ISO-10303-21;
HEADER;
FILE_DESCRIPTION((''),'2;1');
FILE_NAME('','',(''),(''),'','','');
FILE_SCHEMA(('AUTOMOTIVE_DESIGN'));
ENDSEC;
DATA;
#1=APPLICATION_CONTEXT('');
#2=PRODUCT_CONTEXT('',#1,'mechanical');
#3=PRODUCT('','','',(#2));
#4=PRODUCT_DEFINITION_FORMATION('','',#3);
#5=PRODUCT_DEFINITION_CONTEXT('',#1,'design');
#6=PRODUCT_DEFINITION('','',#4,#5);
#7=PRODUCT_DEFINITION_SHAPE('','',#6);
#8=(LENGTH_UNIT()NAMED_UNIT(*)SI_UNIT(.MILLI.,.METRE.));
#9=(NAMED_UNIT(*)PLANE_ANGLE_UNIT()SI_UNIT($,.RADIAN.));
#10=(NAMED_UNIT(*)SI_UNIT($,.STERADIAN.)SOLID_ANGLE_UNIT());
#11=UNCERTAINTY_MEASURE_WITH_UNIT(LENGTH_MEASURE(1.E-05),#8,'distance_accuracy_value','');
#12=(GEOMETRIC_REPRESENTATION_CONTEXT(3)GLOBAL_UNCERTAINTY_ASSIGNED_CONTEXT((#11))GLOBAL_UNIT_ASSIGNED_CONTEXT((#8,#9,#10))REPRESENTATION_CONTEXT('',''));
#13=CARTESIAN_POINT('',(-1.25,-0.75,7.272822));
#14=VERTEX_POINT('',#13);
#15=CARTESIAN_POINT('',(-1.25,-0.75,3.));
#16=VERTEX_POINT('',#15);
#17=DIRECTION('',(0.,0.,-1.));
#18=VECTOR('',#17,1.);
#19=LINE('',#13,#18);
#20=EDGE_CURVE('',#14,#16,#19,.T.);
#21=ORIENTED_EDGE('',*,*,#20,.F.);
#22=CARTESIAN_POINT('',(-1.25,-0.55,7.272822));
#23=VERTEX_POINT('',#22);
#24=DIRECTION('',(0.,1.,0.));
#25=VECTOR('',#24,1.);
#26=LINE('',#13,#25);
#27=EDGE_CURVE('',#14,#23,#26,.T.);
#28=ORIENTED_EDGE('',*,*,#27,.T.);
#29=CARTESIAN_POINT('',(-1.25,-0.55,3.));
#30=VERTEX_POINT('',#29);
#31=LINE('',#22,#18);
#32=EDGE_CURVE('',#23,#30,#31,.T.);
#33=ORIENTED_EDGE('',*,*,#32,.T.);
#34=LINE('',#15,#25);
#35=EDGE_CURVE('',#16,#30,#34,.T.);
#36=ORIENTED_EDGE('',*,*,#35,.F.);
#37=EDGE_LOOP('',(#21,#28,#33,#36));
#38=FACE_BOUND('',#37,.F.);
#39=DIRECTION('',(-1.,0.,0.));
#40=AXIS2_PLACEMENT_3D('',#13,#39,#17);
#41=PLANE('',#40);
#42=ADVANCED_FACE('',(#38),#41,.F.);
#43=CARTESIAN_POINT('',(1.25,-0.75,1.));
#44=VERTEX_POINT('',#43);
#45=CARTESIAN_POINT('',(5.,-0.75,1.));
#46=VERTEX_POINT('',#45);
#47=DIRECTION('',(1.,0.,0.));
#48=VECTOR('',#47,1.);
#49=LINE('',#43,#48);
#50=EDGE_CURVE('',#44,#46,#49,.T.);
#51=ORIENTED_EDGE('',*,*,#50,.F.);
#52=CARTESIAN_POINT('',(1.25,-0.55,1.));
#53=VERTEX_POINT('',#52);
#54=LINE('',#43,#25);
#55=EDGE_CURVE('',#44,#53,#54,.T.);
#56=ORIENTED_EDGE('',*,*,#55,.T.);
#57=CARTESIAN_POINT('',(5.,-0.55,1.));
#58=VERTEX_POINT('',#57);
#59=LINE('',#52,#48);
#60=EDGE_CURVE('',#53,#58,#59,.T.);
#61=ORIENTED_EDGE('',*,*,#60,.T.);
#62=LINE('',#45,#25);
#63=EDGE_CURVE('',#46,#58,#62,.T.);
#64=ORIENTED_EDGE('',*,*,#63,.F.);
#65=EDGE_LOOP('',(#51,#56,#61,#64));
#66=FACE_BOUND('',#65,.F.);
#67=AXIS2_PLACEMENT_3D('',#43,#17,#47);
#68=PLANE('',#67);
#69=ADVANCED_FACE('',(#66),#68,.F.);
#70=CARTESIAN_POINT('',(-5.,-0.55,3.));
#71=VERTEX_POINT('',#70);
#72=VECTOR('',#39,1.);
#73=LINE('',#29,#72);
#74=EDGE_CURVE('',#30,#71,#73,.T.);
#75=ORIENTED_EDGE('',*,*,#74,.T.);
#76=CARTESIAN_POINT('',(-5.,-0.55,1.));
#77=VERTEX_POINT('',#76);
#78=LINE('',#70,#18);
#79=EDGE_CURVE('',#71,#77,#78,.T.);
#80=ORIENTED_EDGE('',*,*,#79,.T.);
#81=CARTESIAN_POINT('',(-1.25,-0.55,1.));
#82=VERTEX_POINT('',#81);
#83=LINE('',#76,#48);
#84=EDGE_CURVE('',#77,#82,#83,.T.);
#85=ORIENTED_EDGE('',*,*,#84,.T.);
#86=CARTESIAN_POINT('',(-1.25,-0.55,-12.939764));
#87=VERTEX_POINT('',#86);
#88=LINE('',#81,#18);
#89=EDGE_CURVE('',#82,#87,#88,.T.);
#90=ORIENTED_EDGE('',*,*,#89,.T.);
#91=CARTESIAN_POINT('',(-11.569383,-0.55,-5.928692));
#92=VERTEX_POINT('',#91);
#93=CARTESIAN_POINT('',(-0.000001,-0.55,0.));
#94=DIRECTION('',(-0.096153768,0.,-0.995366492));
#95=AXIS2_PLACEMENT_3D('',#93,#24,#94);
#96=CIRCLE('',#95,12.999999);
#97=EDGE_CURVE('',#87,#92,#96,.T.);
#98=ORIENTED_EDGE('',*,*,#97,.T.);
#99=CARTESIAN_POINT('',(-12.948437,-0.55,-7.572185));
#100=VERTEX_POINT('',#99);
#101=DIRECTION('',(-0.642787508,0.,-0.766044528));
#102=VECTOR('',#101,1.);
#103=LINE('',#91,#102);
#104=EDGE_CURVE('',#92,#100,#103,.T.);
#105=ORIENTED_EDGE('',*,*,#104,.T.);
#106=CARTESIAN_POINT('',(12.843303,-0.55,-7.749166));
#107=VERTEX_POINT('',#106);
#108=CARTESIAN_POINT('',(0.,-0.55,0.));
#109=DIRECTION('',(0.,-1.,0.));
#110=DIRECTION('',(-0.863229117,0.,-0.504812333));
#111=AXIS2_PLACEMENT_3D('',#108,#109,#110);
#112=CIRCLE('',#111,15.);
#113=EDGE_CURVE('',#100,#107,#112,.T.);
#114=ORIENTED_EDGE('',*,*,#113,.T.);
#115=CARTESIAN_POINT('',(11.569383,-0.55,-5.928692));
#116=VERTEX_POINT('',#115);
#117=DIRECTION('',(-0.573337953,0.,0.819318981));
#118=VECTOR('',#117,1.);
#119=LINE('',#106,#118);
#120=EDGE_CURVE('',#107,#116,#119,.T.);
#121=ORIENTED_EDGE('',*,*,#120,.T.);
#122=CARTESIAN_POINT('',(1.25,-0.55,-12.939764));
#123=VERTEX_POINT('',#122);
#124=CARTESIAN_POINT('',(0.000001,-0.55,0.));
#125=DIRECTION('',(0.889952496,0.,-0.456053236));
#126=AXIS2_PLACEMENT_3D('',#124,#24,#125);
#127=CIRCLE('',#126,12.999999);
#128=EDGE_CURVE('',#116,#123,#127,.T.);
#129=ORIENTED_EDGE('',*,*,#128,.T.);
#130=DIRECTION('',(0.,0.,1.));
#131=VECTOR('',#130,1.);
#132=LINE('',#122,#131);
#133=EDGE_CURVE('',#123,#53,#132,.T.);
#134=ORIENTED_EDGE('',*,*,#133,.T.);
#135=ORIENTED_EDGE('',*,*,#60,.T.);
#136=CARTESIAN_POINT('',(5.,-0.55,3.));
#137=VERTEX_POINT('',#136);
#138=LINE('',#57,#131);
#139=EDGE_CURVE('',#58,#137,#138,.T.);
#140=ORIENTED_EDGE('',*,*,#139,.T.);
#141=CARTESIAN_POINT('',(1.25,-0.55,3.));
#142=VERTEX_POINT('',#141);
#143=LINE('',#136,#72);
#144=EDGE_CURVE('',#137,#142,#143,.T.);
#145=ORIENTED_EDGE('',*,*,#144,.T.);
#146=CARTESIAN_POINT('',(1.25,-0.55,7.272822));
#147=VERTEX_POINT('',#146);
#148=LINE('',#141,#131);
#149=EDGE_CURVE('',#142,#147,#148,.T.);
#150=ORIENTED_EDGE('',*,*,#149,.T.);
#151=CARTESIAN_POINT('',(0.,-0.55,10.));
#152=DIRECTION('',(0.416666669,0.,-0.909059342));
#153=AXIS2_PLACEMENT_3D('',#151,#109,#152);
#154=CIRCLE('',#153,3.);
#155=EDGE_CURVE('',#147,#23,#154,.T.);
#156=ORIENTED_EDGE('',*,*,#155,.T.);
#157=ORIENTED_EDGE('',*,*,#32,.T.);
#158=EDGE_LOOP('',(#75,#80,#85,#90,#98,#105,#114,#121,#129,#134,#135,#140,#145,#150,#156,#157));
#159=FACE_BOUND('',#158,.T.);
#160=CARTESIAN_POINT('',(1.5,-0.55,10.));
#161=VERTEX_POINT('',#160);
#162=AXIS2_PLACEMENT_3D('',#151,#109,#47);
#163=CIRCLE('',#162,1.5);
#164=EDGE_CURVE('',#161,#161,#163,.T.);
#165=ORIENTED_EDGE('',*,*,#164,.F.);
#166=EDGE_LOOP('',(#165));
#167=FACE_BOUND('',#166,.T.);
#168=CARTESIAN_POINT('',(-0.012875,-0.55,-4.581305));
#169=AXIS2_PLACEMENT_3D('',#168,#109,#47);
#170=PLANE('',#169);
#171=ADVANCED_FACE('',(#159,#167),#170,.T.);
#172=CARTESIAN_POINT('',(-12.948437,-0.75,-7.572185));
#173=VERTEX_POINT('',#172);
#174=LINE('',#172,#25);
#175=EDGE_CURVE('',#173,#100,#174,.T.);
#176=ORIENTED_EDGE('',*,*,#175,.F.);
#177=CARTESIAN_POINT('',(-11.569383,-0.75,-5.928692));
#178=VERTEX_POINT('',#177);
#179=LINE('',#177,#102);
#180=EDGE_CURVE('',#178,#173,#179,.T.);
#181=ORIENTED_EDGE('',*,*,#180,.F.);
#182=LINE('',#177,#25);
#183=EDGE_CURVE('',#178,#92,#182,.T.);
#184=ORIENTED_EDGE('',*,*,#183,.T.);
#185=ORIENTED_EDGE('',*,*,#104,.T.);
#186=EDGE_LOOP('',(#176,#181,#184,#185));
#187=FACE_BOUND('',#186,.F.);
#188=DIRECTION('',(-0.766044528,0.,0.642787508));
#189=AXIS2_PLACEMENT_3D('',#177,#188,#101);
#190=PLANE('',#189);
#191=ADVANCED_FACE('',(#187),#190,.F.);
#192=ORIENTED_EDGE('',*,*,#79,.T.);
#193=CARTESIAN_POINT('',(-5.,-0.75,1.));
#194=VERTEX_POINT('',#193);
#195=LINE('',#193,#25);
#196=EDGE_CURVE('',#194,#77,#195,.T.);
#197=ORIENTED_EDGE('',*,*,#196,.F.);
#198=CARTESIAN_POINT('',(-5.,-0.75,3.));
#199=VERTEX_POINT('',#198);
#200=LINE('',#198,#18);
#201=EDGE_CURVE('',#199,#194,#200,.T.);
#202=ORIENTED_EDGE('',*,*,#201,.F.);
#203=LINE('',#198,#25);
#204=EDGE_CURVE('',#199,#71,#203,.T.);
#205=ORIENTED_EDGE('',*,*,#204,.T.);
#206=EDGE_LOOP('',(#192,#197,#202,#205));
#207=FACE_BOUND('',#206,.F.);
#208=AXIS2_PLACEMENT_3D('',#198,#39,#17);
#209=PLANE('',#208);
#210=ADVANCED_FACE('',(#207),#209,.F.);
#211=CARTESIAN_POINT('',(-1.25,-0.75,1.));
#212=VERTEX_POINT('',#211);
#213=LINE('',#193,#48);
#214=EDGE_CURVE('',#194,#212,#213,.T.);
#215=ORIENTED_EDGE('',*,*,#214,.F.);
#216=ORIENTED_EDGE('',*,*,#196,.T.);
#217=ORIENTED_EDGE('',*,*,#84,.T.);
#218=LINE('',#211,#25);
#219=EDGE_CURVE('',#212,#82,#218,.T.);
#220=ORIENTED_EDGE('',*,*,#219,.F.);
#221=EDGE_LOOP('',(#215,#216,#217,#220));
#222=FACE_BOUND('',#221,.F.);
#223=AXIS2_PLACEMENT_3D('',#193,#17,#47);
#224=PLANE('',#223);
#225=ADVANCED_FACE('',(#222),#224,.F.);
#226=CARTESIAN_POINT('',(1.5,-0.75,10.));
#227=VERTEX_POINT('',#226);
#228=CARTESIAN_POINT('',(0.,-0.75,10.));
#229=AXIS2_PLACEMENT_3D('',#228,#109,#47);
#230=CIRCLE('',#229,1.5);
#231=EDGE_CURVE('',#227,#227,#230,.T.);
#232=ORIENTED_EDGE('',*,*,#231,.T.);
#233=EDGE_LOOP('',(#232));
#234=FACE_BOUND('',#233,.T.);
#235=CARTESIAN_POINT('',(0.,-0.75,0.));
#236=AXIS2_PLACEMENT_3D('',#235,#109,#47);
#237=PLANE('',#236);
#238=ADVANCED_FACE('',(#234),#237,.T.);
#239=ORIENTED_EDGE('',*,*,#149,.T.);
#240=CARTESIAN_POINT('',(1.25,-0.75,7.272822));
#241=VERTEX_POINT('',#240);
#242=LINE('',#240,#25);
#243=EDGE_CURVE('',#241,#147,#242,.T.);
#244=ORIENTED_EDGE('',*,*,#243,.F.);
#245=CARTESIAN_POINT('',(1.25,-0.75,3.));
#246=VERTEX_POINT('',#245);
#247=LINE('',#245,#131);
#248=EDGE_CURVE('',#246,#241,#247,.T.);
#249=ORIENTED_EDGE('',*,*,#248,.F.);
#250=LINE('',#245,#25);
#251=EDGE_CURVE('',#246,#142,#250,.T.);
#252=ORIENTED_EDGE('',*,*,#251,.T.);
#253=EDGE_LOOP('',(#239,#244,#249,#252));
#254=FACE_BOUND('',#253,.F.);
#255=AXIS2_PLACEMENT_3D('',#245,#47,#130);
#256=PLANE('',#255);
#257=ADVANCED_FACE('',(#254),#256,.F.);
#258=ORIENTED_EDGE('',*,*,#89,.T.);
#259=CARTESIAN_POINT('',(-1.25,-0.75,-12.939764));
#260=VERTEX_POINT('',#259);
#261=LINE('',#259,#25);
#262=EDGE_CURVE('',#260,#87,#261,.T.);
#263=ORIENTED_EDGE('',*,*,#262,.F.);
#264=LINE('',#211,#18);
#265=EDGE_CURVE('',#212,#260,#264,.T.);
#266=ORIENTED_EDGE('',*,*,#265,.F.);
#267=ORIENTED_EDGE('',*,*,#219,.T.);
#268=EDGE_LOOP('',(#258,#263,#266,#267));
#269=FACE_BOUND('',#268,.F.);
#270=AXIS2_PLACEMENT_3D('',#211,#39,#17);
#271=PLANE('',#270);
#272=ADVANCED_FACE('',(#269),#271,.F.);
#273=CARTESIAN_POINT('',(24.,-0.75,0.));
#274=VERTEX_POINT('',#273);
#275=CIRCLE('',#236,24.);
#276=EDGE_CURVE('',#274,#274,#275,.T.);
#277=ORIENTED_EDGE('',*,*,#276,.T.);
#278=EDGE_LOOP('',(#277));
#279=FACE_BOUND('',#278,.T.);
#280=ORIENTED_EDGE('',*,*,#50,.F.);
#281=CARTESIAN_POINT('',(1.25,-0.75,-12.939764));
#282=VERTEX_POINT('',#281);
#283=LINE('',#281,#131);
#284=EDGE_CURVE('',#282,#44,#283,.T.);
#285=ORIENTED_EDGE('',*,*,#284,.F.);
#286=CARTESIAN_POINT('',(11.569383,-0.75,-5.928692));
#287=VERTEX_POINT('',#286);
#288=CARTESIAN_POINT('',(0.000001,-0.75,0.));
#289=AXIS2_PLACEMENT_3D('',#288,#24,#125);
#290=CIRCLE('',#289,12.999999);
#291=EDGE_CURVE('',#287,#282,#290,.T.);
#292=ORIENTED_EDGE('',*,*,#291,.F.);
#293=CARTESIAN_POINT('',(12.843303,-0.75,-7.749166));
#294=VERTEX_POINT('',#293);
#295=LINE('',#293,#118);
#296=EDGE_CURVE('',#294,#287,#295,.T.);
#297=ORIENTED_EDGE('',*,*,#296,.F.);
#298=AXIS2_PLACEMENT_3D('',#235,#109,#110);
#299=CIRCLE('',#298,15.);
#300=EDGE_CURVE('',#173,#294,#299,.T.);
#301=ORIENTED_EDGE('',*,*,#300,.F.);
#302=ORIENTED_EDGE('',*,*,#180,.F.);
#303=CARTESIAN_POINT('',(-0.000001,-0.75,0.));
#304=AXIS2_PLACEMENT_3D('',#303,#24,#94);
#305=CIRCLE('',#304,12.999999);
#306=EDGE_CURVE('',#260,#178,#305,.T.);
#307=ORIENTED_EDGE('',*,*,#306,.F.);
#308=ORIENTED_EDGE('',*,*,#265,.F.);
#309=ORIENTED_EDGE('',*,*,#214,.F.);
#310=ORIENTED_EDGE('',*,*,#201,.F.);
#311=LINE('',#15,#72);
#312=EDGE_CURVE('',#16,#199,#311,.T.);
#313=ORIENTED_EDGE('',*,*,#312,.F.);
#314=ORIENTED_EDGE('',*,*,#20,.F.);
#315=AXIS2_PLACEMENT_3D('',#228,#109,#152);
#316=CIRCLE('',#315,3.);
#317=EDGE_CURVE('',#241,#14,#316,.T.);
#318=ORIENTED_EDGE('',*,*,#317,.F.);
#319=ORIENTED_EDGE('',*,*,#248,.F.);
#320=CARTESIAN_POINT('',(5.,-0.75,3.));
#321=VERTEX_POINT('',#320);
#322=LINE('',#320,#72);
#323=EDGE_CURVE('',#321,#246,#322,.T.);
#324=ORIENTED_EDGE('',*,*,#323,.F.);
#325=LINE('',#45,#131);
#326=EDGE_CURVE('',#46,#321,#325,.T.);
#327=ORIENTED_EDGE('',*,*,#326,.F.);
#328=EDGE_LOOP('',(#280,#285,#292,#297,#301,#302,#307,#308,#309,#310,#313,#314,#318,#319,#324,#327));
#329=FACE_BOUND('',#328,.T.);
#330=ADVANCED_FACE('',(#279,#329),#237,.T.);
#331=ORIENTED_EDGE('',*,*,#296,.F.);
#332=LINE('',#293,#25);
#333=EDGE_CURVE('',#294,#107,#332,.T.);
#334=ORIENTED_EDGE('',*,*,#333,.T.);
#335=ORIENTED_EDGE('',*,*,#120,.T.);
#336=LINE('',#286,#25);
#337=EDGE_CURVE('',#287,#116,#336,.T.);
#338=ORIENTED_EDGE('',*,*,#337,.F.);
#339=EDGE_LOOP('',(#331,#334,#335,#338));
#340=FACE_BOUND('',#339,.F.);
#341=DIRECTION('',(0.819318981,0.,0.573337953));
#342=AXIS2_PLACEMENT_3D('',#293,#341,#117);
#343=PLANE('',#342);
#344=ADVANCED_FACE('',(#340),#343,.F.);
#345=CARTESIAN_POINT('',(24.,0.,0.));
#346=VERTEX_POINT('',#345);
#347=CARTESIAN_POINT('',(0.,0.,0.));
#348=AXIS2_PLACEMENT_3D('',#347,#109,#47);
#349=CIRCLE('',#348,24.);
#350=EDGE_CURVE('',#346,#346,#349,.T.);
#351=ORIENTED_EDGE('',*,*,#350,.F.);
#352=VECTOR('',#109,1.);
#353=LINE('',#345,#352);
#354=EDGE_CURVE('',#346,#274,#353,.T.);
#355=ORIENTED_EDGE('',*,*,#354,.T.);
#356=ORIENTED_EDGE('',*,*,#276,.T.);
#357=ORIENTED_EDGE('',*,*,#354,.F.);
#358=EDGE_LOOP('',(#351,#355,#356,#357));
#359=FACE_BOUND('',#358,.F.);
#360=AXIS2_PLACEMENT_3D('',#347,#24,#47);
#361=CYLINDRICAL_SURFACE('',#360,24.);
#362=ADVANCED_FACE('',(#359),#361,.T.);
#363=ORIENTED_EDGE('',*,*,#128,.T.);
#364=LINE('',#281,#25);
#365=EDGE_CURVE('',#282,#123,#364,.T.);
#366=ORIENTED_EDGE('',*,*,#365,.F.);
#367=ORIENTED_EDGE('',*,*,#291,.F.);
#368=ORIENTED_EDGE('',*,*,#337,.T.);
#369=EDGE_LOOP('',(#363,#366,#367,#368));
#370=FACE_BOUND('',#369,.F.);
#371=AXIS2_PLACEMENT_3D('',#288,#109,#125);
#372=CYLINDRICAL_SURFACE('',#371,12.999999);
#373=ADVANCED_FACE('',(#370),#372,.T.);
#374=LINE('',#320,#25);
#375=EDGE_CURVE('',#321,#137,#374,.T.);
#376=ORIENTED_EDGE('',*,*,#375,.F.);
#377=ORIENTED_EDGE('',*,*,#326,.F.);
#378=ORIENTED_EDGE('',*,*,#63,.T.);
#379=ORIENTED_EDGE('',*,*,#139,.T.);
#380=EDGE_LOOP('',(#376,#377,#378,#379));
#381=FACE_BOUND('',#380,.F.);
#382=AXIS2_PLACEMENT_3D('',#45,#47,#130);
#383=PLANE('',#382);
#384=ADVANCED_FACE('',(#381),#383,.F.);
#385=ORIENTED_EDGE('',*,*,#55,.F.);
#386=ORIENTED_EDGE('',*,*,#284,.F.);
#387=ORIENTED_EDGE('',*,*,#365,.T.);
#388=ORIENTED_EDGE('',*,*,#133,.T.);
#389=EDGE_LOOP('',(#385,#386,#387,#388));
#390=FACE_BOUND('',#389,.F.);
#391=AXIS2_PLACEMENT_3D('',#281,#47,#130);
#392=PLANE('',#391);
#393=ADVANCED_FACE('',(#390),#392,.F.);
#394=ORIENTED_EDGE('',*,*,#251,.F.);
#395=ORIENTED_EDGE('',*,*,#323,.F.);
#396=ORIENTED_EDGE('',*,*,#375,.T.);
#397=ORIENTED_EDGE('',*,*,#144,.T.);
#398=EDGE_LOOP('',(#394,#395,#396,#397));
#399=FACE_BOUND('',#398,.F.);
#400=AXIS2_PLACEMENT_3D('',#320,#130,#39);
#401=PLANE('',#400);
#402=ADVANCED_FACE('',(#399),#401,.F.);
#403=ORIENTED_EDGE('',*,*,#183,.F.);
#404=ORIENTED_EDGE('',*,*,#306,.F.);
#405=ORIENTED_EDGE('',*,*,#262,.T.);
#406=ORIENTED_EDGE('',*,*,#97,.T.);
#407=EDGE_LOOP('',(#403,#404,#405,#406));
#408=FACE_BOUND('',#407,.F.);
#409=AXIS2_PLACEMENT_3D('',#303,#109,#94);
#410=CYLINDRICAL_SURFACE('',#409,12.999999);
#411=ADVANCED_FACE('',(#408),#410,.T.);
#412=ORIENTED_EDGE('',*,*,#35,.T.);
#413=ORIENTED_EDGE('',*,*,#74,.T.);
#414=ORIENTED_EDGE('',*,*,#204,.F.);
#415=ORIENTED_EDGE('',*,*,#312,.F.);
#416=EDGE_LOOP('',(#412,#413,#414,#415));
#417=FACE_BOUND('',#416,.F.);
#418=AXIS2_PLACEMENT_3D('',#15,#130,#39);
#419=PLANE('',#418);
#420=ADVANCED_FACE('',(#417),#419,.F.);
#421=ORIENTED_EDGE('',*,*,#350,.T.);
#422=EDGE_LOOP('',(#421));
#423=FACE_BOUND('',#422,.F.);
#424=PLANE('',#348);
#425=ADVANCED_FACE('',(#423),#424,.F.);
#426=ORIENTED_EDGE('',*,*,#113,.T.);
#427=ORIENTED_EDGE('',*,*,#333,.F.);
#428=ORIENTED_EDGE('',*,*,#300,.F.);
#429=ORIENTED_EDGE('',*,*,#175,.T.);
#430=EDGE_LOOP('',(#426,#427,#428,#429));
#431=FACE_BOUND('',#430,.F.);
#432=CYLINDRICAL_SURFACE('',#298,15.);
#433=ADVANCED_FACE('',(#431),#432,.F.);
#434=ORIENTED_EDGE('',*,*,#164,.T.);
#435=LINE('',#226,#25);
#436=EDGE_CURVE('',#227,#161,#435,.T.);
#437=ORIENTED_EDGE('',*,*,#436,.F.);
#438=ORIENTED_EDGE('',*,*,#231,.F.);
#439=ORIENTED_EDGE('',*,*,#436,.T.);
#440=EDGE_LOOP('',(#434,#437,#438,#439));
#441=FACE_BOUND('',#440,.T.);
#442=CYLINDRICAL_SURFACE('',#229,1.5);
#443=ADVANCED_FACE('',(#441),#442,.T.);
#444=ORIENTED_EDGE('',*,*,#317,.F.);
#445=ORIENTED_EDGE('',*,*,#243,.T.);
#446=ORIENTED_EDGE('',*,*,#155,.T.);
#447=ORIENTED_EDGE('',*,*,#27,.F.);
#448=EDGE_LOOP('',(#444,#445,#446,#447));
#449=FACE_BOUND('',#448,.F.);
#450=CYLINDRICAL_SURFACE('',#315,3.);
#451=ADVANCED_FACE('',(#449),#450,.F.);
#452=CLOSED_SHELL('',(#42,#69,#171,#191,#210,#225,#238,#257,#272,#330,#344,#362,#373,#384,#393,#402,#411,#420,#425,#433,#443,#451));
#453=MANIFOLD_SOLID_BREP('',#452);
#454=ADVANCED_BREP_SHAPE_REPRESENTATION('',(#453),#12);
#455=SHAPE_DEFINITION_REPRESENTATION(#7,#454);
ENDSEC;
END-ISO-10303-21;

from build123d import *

# Parameters (mm, degrees)
F0_R     = 24
F1_DEPTH = 0.75
F2_R     = 1.5
F3_DEPTH = 0.2


with BuildPart() as f1:
    # F0 (on Front) → F1 (new body)
    with BuildSketch(Plane.XZ):
        Circle(F0_R)
    extrude(amount=F1_DEPTH)

    # F2 (on face) → F3 (cut)
    with BuildSketch(Plane.XZ.offset(0.75)):
        with BuildLine():
            Line((-11.569383, -5.928692), (-12.948437, -7.572185))
            ThreePointArc((-12.948437, -7.572185), (-0.102927, -14.999647), (12.843303, -7.749166))
            Line((12.843303, -7.749166), (11.569383, -5.928692))
            ThreePointArc((11.569383, -5.928692), (7.305678, -10.753003), (1.25, -12.939764))
            Line((1.25, -12.939764), (1.25, 1))
            Line((1.25, 1), (5, 1))
            Line((5, 1), (5, 3))
            Line((5, 3), (1.25, 3))
            Line((1.25, 3), (1.25, 7.272822))
            ThreePointArc((1.25, 7.272822), (0, 13), (-1.25, 7.272822))
            Line((-1.25, 7.272822), (-1.25, 3))
            Line((-1.25, 3), (-5, 3))
            Line((-5, 3), (-5, 1))
            Line((-5, 1), (-1.25, 1))
            Line((-1.25, 1), (-1.25, -12.939764))
            ThreePointArc((-1.25, -12.939764), (-7.305678, -10.753003), (-11.569383, -5.928692))
        make_face()
        with Locations((0, 10)):
            Circle(F2_R, mode=Mode.SUBTRACT)
    extrude(amount=-F3_DEPTH, mode=Mode.SUBTRACT)


solid = f1.part
